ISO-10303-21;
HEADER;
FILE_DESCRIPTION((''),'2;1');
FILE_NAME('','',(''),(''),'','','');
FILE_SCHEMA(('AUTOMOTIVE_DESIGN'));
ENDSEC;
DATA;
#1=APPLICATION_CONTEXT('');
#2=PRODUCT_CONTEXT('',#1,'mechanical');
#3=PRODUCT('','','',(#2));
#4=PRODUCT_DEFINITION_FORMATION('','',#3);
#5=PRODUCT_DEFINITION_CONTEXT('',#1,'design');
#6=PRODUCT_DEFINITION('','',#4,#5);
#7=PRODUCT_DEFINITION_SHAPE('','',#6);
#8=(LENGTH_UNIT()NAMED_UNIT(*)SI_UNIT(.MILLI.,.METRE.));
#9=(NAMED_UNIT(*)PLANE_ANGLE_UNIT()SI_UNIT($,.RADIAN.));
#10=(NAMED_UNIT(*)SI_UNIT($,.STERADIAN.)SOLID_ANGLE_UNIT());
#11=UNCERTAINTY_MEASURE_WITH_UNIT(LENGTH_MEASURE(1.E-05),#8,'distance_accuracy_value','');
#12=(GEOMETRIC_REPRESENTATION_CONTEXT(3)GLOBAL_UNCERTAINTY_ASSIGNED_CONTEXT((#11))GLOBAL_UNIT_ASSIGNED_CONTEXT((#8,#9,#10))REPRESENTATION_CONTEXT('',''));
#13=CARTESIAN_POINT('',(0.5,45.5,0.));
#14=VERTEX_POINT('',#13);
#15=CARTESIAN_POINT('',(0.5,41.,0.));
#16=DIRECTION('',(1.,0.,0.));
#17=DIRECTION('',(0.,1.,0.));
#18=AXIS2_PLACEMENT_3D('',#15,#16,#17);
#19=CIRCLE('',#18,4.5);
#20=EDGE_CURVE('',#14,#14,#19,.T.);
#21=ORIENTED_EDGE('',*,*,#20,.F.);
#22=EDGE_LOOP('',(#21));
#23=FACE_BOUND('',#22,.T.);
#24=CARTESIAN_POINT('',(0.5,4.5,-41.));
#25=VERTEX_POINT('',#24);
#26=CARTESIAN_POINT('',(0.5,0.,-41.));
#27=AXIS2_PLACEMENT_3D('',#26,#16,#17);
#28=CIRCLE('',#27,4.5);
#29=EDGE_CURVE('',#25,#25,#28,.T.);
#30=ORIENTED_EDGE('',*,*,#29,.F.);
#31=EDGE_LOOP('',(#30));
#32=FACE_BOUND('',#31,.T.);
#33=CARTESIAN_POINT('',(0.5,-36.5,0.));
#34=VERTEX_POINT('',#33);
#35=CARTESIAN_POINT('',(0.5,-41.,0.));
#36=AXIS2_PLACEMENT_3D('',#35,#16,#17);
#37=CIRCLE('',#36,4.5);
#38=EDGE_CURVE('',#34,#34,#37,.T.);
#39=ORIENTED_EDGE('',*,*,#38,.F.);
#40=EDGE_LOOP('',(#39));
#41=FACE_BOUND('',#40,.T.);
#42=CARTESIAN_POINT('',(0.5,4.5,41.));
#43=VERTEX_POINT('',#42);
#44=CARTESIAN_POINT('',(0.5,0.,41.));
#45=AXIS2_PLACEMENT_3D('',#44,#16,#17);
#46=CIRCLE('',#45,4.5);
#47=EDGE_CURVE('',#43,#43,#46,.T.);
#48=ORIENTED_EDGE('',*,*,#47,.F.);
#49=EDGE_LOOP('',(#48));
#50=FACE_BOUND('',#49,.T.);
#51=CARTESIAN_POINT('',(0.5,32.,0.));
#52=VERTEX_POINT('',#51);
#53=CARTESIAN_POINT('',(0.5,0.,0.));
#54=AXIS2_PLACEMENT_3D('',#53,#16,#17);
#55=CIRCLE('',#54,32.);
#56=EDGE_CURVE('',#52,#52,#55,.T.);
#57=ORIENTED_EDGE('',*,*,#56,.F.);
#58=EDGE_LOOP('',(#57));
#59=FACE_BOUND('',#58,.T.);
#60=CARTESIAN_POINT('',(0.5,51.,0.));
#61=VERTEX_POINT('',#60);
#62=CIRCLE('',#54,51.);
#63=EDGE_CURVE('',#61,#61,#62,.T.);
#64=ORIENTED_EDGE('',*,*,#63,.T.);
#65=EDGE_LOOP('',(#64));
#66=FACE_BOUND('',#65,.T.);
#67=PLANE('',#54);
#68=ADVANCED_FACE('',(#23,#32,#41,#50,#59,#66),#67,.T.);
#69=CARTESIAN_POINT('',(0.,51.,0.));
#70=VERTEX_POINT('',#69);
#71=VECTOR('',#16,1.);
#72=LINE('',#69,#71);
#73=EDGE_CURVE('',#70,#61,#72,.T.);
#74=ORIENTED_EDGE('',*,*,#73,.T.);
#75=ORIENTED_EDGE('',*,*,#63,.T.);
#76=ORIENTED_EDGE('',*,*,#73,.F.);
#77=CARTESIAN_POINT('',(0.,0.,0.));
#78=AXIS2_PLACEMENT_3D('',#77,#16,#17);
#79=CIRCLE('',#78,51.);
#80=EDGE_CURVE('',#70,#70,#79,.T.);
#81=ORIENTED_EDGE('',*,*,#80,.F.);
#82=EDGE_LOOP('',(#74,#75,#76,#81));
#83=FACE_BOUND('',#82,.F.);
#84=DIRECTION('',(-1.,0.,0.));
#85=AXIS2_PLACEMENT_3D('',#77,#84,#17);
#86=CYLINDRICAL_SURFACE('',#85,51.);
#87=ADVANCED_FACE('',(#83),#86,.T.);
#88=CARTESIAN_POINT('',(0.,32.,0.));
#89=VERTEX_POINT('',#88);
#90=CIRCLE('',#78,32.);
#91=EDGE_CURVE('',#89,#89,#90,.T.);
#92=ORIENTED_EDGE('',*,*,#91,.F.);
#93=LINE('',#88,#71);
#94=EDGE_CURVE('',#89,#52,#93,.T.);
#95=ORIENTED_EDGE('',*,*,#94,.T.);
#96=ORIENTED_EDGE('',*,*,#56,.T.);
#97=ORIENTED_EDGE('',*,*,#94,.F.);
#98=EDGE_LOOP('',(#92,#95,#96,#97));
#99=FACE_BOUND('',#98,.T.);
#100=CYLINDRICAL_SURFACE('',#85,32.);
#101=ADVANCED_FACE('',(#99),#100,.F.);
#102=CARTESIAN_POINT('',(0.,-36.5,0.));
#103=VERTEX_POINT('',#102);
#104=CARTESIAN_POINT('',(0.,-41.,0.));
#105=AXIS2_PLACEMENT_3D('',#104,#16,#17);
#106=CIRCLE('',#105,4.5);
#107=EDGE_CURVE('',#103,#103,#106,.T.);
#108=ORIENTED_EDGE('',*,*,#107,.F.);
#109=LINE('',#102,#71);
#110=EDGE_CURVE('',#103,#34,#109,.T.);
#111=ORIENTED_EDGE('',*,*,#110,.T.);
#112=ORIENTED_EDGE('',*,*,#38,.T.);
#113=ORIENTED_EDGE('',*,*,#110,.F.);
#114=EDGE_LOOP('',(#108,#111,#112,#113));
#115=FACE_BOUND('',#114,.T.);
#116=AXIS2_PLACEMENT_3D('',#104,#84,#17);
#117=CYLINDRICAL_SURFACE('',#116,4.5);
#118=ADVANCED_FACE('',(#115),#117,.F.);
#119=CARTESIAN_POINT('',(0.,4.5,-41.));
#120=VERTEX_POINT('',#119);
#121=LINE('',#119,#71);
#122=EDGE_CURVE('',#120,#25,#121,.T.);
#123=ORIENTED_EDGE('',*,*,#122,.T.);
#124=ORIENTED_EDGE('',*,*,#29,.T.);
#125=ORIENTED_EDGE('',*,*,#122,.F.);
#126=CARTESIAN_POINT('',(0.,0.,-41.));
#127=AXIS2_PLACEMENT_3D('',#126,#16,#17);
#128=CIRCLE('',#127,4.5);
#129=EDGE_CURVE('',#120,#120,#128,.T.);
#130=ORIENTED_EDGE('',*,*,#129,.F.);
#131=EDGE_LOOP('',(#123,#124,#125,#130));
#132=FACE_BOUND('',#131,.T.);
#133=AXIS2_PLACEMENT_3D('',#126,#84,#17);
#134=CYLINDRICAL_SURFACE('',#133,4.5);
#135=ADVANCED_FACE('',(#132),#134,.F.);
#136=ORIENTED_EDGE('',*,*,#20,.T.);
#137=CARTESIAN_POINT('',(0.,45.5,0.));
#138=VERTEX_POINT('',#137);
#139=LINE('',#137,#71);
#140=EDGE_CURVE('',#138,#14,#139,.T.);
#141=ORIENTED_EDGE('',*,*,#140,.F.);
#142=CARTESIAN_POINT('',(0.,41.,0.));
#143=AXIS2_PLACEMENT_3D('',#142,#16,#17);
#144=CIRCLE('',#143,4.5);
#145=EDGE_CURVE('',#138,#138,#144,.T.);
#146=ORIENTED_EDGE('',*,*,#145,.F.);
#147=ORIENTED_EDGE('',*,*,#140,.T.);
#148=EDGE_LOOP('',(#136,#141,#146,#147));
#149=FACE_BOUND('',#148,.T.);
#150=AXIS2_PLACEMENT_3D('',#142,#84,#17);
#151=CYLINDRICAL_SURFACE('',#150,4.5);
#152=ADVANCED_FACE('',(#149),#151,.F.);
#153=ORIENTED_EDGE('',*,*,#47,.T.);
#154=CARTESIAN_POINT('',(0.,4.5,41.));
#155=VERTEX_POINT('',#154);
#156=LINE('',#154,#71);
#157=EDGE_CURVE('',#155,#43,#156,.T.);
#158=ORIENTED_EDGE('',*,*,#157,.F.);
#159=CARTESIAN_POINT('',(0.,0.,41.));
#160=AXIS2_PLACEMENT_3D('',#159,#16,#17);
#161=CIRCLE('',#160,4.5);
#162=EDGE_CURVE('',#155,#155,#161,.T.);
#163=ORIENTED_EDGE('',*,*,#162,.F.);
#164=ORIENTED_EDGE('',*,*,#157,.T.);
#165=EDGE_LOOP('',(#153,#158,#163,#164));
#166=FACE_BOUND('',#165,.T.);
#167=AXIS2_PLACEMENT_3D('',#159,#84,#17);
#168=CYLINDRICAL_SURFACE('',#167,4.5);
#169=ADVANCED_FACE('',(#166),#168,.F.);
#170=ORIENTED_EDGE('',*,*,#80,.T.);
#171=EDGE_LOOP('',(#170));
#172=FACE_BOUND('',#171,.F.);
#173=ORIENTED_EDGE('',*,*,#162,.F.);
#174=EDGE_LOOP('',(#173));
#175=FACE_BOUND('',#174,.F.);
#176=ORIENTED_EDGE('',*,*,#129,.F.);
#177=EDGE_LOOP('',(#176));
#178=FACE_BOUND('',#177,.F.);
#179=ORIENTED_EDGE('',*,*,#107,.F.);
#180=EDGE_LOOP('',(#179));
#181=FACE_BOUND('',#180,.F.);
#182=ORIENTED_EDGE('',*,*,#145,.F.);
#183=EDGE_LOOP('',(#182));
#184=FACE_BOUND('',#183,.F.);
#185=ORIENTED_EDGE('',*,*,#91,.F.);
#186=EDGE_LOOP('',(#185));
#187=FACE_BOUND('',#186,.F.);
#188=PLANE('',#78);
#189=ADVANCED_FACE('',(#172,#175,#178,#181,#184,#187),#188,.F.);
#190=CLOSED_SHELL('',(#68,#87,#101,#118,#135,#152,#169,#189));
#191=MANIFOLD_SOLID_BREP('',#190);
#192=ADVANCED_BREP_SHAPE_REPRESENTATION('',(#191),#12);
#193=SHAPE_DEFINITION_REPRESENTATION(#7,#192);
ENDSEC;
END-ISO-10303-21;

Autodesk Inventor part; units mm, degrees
ref_plane "YZ Plane" through (0, 0, 0) normal (1, 0, 0) x (0, 1, 0)
ref_plane "XZ Plane" through (0, 0, 0) normal (0, 1, 0) x (-1, 0, 0)
ref_plane "XY Plane" through (0, 0, 0) normal (0, 0, 1) x (1, 0, 0)
sketch "草图1" plane through (0, 0, 0) normal (1, 0, 0) x (0, 1, 0)
  circle A0 centre (0, 0) radius 51
  circle A1 centre (0, 0) radius 32
  circle A2 centre (41, 0) radius 4.5
  circle A3 centre (0, 41) radius 4.5
  circle A4 centre (-41, 0) radius 4.5
  circle A5 centre (0, -41) radius 4.5
  dimension "d1" = 102
  dimension "d3" = 64
  dimension "d4" = 9
  dimension "d5" = 41
  dimension "d8" = 360
extrude "拉伸1" add sketch "草图1" along normal blind 0.5
equation "\"d1\" = D2"
equation "\"d3\" = d2"
equation "\"d4\" = d0"
equation "\"d5\" = 0.5 * D0"
equation "\"d10\" = b"
equation "\"b\" = 0.5"
equation "\"d0\" = 9"
equation "\"D0\" = 82"
equation "\"d2\" = 64"
equation "\"D2\" = 102"
properties part number "高速轴承调整垫片" material "铜，锻铸"
